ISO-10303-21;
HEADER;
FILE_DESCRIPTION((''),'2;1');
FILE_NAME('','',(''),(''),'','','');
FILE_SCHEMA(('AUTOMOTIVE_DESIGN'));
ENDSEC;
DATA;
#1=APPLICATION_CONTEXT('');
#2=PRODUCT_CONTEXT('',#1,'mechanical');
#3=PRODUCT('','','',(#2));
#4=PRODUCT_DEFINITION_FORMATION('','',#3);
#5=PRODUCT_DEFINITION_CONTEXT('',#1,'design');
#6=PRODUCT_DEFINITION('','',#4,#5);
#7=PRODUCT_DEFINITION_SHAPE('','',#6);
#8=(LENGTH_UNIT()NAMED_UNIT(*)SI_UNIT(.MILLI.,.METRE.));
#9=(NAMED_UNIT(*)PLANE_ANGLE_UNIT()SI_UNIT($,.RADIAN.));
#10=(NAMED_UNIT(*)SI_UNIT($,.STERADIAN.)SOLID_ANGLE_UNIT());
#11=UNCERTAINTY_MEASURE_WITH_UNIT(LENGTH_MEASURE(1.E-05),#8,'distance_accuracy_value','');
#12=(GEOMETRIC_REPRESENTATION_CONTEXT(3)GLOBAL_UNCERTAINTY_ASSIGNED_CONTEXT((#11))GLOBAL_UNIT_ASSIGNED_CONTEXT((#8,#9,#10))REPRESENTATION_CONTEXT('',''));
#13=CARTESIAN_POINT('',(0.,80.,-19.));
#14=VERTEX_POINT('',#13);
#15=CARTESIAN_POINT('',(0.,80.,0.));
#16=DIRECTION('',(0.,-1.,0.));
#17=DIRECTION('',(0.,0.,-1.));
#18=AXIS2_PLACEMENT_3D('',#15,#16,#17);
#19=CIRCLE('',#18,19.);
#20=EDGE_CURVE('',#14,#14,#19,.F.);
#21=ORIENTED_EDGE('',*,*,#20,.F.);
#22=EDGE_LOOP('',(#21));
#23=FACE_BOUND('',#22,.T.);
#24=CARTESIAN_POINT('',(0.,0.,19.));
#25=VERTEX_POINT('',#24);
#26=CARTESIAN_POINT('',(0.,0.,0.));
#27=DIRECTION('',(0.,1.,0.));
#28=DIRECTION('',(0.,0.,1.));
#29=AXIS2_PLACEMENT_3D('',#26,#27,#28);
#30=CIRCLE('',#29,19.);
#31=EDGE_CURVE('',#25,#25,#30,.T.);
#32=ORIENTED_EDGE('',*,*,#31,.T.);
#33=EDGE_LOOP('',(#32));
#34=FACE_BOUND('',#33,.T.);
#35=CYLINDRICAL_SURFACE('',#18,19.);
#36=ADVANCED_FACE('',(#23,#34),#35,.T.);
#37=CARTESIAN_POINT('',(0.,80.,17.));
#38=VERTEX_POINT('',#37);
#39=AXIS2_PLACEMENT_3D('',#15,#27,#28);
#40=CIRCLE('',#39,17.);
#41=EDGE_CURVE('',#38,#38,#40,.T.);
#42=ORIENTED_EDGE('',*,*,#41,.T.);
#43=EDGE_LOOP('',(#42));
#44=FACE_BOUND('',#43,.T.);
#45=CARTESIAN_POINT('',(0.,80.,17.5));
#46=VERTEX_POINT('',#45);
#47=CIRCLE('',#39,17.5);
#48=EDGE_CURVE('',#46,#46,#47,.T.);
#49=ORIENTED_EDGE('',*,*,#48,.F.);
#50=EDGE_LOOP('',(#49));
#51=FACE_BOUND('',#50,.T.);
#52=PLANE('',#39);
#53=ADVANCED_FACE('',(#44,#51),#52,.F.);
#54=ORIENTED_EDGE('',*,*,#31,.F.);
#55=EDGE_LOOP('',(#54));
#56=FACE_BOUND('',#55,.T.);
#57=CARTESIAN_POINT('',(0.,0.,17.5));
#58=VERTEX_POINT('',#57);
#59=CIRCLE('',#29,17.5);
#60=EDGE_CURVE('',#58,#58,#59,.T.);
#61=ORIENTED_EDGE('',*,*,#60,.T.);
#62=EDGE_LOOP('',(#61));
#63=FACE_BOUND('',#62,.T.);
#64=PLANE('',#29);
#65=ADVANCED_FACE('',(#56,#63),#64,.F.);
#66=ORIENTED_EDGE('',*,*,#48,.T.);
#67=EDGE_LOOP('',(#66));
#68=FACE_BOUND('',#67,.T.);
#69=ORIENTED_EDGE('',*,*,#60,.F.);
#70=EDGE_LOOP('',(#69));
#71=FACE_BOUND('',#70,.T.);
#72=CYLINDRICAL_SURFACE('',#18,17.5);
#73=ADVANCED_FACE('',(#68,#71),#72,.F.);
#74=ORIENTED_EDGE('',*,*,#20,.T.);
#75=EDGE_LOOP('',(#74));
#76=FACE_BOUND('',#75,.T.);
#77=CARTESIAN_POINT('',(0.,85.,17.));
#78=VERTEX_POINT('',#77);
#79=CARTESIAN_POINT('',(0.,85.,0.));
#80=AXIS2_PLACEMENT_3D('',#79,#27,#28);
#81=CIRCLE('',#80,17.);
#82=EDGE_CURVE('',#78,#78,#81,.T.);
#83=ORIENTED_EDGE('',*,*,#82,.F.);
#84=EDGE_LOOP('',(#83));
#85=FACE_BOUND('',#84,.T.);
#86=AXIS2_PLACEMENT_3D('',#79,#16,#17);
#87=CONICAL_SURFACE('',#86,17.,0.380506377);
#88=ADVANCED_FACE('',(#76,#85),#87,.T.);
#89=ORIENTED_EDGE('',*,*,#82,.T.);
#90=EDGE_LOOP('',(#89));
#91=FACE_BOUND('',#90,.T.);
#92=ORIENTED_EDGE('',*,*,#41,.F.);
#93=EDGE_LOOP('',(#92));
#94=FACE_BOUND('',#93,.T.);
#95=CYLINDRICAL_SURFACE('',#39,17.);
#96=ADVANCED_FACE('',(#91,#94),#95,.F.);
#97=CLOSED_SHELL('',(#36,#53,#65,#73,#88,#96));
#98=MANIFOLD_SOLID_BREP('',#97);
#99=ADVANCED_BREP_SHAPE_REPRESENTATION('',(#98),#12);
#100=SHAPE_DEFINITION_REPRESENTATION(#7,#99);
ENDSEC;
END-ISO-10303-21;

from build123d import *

# Parameters (mm, degrees)
SKETCH_1_R          = 19
SKETCH_1_R_2        = 17.5
EXTRUDE_1_DEPTH     = 80
SKETCH_3_R          = 19
SKETCH_2_R          = 17
SKETCH_4_R          = 17
CUT_EXTRUDE_1_DEPTH = 5


with BuildPart() as part:
    # Эскиз1 → Бобышка-Вытянуть1 (new body)
    with BuildSketch(Plane(origin=(0, 0, 0), x_dir=(1, 0, 0), z_dir=(0, 1, 0))):
        Circle(SKETCH_1_R)
        Circle(SKETCH_1_R_2, mode=Mode.SUBTRACT)
    extrude(amount=EXTRUDE_1_DEPTH)

    # Эскиз3 → По сечениям1 section 0
    with BuildSketch(Plane(origin=(0, 80, 0), x_dir=(1, 0, 0), z_dir=(0, 1, 0))):
        Circle(SKETCH_3_R)
    # Эскиз2 → По сечениям1 section 1
    with BuildSketch(Plane(origin=(0, 85, 0), x_dir=(1, 0, 0), z_dir=(0, 1, 0))):
        Circle(SKETCH_2_R)
    loft()

    # Эскиз4 → Вырез-Вытянуть1 (cut)
    with BuildSketch(Plane(origin=(0, 85, 0), x_dir=(1, 0, 0), z_dir=(0, 1, 0))):
        Circle(SKETCH_4_R)
    extrude(amount=-CUT_EXTRUDE_1_DEPTH, mode=Mode.SUBTRACT)


solid = part.part
